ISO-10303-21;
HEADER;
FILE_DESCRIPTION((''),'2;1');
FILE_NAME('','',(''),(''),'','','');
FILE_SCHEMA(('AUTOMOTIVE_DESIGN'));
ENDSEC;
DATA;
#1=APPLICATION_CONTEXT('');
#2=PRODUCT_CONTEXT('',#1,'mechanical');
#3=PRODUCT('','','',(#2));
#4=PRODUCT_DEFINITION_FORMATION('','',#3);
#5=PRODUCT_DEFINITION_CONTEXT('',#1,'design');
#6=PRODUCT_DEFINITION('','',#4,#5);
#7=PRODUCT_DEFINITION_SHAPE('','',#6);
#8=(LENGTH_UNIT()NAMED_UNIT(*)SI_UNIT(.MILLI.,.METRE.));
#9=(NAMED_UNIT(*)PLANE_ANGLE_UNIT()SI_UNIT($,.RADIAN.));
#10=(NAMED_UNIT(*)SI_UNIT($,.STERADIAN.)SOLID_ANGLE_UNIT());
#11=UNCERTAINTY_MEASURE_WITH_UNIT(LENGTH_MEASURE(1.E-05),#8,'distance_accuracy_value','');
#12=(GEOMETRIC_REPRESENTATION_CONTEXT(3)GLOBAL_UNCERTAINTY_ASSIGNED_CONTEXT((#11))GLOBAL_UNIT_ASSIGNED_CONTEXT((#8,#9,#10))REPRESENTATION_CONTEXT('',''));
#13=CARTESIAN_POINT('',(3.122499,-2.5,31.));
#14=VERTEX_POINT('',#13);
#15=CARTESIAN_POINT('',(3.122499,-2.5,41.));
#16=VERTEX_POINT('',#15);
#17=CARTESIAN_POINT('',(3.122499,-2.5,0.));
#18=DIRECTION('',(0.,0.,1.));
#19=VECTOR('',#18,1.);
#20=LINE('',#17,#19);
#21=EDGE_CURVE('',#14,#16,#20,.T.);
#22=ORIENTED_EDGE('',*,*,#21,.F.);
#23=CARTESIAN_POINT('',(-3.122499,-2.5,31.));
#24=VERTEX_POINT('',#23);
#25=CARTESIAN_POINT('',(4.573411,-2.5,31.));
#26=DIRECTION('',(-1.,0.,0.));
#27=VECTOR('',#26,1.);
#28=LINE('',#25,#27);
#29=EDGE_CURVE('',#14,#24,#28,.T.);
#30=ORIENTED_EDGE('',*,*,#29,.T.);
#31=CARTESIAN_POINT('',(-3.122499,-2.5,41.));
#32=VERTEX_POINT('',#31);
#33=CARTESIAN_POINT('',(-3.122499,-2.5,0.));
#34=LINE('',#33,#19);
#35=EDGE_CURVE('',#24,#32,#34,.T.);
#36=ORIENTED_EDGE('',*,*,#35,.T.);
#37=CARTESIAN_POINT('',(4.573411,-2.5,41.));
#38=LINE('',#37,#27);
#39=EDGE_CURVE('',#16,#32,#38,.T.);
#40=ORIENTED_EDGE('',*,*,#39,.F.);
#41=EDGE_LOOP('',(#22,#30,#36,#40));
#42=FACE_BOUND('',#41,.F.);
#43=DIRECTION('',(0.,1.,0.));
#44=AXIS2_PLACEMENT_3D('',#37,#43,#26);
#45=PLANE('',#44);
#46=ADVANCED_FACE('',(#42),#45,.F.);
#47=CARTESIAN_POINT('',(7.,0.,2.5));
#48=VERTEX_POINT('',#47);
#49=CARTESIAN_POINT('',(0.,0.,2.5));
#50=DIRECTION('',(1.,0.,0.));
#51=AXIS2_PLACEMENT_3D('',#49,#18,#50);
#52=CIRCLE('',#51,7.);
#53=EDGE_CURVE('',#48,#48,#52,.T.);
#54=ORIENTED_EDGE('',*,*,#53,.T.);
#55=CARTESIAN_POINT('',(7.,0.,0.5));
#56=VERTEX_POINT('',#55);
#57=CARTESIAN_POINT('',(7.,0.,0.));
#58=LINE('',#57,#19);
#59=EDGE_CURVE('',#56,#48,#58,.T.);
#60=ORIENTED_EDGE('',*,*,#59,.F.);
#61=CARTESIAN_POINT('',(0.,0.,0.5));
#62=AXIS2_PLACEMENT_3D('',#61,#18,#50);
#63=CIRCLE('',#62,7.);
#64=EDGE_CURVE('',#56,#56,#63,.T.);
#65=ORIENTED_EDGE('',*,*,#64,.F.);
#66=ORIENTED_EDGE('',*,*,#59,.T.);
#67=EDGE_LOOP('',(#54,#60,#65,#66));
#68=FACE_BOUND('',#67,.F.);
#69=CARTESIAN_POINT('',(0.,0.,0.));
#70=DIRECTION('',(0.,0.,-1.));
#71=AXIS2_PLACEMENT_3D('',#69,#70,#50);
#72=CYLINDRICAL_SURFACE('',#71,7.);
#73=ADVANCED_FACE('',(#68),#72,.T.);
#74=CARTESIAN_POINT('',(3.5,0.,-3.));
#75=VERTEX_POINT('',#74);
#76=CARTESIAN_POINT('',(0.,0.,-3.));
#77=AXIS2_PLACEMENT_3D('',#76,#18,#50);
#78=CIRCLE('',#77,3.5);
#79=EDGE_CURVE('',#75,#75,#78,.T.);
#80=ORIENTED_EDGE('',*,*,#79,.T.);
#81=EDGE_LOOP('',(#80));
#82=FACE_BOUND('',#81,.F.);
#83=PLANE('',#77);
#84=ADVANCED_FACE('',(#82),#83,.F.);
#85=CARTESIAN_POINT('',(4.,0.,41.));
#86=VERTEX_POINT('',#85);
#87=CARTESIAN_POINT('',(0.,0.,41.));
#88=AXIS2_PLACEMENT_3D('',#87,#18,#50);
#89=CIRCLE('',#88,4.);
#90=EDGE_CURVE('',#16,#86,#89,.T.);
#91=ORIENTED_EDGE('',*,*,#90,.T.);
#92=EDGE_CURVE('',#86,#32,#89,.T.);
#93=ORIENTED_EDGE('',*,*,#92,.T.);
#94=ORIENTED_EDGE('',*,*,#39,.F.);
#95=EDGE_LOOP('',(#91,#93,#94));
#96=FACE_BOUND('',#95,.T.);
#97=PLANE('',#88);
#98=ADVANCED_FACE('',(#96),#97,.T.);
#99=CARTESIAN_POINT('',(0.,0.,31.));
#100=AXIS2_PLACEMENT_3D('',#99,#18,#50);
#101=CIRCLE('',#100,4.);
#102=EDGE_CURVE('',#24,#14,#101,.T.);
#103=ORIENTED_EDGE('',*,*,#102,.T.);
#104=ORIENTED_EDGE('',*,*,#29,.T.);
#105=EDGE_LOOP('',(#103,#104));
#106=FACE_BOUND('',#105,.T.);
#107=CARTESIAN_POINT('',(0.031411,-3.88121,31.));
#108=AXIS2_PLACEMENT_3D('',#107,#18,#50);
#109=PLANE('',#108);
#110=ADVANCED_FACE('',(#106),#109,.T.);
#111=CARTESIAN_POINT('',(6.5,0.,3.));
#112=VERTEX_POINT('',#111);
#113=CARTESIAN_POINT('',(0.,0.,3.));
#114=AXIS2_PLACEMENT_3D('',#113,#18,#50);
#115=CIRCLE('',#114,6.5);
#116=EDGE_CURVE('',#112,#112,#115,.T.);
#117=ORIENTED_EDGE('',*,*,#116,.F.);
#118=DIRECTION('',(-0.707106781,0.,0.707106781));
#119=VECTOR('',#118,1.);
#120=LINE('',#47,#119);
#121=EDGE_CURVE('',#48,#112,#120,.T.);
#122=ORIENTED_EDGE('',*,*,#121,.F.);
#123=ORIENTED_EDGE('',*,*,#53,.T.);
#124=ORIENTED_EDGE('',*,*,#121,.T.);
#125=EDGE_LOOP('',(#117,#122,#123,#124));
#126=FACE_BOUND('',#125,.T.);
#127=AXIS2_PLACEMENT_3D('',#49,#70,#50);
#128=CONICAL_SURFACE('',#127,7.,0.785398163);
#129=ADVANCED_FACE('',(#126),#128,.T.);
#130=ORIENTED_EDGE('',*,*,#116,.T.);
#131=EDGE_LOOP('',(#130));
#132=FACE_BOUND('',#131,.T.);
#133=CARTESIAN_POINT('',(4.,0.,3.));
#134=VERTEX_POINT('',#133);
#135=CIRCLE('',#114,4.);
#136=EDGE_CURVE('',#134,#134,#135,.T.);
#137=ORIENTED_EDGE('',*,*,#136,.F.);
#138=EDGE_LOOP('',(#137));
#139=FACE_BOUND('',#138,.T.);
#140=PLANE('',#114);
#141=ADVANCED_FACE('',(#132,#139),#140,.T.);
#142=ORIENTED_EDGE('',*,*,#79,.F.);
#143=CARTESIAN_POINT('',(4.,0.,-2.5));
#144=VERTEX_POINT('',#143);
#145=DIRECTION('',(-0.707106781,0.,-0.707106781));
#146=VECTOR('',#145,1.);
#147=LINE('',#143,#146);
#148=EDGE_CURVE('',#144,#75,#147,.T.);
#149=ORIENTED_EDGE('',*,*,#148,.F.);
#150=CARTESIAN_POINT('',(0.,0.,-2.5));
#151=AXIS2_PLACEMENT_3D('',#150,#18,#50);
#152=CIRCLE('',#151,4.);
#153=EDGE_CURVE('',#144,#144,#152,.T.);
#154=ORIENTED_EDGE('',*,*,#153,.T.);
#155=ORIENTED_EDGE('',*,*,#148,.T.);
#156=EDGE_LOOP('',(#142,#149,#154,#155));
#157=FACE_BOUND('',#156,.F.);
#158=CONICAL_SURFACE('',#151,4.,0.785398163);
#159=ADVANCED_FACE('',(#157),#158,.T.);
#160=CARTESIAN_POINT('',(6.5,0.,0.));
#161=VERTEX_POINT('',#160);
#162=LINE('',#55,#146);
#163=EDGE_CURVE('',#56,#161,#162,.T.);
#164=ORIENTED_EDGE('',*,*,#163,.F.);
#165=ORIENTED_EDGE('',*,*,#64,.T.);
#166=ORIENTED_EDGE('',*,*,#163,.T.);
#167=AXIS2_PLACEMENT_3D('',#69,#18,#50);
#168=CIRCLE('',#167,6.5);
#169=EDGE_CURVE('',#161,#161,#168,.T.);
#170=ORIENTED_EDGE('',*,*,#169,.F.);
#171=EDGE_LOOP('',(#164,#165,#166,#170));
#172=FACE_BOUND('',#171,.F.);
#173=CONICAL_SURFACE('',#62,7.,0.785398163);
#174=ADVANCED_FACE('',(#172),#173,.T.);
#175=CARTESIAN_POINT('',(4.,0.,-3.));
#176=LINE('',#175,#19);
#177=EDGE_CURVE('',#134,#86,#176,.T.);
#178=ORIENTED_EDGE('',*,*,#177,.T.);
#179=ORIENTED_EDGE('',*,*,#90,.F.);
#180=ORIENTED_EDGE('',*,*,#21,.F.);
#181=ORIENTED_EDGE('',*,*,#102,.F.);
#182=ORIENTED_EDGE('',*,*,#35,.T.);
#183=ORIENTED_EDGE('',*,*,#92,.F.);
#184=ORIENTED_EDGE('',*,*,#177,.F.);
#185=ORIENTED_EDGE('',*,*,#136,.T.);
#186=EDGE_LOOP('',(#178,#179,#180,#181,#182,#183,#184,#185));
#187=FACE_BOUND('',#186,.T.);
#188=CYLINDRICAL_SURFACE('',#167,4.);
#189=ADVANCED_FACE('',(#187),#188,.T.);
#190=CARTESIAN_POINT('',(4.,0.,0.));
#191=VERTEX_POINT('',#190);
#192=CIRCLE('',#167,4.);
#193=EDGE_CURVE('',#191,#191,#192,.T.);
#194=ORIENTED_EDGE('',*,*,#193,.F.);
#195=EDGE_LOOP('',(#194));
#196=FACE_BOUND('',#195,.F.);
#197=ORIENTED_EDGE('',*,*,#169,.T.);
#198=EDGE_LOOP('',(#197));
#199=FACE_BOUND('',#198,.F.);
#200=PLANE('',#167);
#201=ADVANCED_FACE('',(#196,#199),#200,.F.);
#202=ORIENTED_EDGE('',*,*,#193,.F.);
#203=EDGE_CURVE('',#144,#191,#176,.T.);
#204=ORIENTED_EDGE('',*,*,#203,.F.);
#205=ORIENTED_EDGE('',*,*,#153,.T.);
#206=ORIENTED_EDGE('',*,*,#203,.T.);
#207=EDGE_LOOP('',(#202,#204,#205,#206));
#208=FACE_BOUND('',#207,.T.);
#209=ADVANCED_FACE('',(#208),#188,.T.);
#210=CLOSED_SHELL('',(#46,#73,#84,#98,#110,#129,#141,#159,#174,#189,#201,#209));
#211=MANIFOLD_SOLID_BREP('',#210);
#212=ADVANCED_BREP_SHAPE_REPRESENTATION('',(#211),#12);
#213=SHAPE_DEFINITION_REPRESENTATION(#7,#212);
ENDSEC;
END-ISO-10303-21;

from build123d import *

# Parameters (mm, degrees)
F0_R     = 4
F1_DEPTH = 41
F2_DEPTH = 3
F0_R_2   = 7
F3_DEPTH = 3
F5_DEPTH = 10
F6_SIZE2 = 0.5
F6_SIZE  = 0.5
F7_SIZE2 = 0.5
F7_SIZE  = 0.5
F8_SIZE2 = 0.5
F8_SIZE  = 0.5


with BuildPart() as f1:
    # F0 (on Top) → F1 (new body)
    with BuildSketch(Plane.XY):
        Circle(F0_R)
    extrude(amount=F1_DEPTH)

    # F0 (on Top) → F2 (join)
    with BuildSketch(Plane.XY):
        Circle(F0_R)
    extrude(amount=-F2_DEPTH)

    # F0 (on Top) → F3 (join)
    with BuildSketch(Plane.XY):
        Circle(F0_R_2)
        Circle(F0_R, mode=Mode.SUBTRACT)
    extrude(amount=F3_DEPTH)

    # F4 (on face) → F5 (cut)
    with BuildSketch(Plane.XY.offset(41)):
        Polygon((4.573411, -5.26242), (4.573411, -2.5), (0, -2.5), (-4.510589, -2.5), (-4.510589, -5.26242), align=None)
    extrude(amount=-F5_DEPTH, mode=Mode.SUBTRACT)

    # F6
    f6_edges = [f1.edges().sort_by_distance(p)[0] for p in [
        (-7, 0, 3),
    ]]
    chamfer(f6_edges, length=F6_SIZE, length2=F6_SIZE2)

    # F7
    f7_edges = [f1.edges().sort_by_distance(p)[0] for p in [
        (-7, 0, 0),
    ]]
    chamfer(f7_edges, length=F7_SIZE, length2=F7_SIZE2)

    # F8
    f8_edges = [f1.edges().sort_by_distance(p)[0] for p in [
        (-4, 0, -3),
    ]]
    chamfer(f8_edges, length=F8_SIZE, length2=F8_SIZE2)


solid = f1.part
